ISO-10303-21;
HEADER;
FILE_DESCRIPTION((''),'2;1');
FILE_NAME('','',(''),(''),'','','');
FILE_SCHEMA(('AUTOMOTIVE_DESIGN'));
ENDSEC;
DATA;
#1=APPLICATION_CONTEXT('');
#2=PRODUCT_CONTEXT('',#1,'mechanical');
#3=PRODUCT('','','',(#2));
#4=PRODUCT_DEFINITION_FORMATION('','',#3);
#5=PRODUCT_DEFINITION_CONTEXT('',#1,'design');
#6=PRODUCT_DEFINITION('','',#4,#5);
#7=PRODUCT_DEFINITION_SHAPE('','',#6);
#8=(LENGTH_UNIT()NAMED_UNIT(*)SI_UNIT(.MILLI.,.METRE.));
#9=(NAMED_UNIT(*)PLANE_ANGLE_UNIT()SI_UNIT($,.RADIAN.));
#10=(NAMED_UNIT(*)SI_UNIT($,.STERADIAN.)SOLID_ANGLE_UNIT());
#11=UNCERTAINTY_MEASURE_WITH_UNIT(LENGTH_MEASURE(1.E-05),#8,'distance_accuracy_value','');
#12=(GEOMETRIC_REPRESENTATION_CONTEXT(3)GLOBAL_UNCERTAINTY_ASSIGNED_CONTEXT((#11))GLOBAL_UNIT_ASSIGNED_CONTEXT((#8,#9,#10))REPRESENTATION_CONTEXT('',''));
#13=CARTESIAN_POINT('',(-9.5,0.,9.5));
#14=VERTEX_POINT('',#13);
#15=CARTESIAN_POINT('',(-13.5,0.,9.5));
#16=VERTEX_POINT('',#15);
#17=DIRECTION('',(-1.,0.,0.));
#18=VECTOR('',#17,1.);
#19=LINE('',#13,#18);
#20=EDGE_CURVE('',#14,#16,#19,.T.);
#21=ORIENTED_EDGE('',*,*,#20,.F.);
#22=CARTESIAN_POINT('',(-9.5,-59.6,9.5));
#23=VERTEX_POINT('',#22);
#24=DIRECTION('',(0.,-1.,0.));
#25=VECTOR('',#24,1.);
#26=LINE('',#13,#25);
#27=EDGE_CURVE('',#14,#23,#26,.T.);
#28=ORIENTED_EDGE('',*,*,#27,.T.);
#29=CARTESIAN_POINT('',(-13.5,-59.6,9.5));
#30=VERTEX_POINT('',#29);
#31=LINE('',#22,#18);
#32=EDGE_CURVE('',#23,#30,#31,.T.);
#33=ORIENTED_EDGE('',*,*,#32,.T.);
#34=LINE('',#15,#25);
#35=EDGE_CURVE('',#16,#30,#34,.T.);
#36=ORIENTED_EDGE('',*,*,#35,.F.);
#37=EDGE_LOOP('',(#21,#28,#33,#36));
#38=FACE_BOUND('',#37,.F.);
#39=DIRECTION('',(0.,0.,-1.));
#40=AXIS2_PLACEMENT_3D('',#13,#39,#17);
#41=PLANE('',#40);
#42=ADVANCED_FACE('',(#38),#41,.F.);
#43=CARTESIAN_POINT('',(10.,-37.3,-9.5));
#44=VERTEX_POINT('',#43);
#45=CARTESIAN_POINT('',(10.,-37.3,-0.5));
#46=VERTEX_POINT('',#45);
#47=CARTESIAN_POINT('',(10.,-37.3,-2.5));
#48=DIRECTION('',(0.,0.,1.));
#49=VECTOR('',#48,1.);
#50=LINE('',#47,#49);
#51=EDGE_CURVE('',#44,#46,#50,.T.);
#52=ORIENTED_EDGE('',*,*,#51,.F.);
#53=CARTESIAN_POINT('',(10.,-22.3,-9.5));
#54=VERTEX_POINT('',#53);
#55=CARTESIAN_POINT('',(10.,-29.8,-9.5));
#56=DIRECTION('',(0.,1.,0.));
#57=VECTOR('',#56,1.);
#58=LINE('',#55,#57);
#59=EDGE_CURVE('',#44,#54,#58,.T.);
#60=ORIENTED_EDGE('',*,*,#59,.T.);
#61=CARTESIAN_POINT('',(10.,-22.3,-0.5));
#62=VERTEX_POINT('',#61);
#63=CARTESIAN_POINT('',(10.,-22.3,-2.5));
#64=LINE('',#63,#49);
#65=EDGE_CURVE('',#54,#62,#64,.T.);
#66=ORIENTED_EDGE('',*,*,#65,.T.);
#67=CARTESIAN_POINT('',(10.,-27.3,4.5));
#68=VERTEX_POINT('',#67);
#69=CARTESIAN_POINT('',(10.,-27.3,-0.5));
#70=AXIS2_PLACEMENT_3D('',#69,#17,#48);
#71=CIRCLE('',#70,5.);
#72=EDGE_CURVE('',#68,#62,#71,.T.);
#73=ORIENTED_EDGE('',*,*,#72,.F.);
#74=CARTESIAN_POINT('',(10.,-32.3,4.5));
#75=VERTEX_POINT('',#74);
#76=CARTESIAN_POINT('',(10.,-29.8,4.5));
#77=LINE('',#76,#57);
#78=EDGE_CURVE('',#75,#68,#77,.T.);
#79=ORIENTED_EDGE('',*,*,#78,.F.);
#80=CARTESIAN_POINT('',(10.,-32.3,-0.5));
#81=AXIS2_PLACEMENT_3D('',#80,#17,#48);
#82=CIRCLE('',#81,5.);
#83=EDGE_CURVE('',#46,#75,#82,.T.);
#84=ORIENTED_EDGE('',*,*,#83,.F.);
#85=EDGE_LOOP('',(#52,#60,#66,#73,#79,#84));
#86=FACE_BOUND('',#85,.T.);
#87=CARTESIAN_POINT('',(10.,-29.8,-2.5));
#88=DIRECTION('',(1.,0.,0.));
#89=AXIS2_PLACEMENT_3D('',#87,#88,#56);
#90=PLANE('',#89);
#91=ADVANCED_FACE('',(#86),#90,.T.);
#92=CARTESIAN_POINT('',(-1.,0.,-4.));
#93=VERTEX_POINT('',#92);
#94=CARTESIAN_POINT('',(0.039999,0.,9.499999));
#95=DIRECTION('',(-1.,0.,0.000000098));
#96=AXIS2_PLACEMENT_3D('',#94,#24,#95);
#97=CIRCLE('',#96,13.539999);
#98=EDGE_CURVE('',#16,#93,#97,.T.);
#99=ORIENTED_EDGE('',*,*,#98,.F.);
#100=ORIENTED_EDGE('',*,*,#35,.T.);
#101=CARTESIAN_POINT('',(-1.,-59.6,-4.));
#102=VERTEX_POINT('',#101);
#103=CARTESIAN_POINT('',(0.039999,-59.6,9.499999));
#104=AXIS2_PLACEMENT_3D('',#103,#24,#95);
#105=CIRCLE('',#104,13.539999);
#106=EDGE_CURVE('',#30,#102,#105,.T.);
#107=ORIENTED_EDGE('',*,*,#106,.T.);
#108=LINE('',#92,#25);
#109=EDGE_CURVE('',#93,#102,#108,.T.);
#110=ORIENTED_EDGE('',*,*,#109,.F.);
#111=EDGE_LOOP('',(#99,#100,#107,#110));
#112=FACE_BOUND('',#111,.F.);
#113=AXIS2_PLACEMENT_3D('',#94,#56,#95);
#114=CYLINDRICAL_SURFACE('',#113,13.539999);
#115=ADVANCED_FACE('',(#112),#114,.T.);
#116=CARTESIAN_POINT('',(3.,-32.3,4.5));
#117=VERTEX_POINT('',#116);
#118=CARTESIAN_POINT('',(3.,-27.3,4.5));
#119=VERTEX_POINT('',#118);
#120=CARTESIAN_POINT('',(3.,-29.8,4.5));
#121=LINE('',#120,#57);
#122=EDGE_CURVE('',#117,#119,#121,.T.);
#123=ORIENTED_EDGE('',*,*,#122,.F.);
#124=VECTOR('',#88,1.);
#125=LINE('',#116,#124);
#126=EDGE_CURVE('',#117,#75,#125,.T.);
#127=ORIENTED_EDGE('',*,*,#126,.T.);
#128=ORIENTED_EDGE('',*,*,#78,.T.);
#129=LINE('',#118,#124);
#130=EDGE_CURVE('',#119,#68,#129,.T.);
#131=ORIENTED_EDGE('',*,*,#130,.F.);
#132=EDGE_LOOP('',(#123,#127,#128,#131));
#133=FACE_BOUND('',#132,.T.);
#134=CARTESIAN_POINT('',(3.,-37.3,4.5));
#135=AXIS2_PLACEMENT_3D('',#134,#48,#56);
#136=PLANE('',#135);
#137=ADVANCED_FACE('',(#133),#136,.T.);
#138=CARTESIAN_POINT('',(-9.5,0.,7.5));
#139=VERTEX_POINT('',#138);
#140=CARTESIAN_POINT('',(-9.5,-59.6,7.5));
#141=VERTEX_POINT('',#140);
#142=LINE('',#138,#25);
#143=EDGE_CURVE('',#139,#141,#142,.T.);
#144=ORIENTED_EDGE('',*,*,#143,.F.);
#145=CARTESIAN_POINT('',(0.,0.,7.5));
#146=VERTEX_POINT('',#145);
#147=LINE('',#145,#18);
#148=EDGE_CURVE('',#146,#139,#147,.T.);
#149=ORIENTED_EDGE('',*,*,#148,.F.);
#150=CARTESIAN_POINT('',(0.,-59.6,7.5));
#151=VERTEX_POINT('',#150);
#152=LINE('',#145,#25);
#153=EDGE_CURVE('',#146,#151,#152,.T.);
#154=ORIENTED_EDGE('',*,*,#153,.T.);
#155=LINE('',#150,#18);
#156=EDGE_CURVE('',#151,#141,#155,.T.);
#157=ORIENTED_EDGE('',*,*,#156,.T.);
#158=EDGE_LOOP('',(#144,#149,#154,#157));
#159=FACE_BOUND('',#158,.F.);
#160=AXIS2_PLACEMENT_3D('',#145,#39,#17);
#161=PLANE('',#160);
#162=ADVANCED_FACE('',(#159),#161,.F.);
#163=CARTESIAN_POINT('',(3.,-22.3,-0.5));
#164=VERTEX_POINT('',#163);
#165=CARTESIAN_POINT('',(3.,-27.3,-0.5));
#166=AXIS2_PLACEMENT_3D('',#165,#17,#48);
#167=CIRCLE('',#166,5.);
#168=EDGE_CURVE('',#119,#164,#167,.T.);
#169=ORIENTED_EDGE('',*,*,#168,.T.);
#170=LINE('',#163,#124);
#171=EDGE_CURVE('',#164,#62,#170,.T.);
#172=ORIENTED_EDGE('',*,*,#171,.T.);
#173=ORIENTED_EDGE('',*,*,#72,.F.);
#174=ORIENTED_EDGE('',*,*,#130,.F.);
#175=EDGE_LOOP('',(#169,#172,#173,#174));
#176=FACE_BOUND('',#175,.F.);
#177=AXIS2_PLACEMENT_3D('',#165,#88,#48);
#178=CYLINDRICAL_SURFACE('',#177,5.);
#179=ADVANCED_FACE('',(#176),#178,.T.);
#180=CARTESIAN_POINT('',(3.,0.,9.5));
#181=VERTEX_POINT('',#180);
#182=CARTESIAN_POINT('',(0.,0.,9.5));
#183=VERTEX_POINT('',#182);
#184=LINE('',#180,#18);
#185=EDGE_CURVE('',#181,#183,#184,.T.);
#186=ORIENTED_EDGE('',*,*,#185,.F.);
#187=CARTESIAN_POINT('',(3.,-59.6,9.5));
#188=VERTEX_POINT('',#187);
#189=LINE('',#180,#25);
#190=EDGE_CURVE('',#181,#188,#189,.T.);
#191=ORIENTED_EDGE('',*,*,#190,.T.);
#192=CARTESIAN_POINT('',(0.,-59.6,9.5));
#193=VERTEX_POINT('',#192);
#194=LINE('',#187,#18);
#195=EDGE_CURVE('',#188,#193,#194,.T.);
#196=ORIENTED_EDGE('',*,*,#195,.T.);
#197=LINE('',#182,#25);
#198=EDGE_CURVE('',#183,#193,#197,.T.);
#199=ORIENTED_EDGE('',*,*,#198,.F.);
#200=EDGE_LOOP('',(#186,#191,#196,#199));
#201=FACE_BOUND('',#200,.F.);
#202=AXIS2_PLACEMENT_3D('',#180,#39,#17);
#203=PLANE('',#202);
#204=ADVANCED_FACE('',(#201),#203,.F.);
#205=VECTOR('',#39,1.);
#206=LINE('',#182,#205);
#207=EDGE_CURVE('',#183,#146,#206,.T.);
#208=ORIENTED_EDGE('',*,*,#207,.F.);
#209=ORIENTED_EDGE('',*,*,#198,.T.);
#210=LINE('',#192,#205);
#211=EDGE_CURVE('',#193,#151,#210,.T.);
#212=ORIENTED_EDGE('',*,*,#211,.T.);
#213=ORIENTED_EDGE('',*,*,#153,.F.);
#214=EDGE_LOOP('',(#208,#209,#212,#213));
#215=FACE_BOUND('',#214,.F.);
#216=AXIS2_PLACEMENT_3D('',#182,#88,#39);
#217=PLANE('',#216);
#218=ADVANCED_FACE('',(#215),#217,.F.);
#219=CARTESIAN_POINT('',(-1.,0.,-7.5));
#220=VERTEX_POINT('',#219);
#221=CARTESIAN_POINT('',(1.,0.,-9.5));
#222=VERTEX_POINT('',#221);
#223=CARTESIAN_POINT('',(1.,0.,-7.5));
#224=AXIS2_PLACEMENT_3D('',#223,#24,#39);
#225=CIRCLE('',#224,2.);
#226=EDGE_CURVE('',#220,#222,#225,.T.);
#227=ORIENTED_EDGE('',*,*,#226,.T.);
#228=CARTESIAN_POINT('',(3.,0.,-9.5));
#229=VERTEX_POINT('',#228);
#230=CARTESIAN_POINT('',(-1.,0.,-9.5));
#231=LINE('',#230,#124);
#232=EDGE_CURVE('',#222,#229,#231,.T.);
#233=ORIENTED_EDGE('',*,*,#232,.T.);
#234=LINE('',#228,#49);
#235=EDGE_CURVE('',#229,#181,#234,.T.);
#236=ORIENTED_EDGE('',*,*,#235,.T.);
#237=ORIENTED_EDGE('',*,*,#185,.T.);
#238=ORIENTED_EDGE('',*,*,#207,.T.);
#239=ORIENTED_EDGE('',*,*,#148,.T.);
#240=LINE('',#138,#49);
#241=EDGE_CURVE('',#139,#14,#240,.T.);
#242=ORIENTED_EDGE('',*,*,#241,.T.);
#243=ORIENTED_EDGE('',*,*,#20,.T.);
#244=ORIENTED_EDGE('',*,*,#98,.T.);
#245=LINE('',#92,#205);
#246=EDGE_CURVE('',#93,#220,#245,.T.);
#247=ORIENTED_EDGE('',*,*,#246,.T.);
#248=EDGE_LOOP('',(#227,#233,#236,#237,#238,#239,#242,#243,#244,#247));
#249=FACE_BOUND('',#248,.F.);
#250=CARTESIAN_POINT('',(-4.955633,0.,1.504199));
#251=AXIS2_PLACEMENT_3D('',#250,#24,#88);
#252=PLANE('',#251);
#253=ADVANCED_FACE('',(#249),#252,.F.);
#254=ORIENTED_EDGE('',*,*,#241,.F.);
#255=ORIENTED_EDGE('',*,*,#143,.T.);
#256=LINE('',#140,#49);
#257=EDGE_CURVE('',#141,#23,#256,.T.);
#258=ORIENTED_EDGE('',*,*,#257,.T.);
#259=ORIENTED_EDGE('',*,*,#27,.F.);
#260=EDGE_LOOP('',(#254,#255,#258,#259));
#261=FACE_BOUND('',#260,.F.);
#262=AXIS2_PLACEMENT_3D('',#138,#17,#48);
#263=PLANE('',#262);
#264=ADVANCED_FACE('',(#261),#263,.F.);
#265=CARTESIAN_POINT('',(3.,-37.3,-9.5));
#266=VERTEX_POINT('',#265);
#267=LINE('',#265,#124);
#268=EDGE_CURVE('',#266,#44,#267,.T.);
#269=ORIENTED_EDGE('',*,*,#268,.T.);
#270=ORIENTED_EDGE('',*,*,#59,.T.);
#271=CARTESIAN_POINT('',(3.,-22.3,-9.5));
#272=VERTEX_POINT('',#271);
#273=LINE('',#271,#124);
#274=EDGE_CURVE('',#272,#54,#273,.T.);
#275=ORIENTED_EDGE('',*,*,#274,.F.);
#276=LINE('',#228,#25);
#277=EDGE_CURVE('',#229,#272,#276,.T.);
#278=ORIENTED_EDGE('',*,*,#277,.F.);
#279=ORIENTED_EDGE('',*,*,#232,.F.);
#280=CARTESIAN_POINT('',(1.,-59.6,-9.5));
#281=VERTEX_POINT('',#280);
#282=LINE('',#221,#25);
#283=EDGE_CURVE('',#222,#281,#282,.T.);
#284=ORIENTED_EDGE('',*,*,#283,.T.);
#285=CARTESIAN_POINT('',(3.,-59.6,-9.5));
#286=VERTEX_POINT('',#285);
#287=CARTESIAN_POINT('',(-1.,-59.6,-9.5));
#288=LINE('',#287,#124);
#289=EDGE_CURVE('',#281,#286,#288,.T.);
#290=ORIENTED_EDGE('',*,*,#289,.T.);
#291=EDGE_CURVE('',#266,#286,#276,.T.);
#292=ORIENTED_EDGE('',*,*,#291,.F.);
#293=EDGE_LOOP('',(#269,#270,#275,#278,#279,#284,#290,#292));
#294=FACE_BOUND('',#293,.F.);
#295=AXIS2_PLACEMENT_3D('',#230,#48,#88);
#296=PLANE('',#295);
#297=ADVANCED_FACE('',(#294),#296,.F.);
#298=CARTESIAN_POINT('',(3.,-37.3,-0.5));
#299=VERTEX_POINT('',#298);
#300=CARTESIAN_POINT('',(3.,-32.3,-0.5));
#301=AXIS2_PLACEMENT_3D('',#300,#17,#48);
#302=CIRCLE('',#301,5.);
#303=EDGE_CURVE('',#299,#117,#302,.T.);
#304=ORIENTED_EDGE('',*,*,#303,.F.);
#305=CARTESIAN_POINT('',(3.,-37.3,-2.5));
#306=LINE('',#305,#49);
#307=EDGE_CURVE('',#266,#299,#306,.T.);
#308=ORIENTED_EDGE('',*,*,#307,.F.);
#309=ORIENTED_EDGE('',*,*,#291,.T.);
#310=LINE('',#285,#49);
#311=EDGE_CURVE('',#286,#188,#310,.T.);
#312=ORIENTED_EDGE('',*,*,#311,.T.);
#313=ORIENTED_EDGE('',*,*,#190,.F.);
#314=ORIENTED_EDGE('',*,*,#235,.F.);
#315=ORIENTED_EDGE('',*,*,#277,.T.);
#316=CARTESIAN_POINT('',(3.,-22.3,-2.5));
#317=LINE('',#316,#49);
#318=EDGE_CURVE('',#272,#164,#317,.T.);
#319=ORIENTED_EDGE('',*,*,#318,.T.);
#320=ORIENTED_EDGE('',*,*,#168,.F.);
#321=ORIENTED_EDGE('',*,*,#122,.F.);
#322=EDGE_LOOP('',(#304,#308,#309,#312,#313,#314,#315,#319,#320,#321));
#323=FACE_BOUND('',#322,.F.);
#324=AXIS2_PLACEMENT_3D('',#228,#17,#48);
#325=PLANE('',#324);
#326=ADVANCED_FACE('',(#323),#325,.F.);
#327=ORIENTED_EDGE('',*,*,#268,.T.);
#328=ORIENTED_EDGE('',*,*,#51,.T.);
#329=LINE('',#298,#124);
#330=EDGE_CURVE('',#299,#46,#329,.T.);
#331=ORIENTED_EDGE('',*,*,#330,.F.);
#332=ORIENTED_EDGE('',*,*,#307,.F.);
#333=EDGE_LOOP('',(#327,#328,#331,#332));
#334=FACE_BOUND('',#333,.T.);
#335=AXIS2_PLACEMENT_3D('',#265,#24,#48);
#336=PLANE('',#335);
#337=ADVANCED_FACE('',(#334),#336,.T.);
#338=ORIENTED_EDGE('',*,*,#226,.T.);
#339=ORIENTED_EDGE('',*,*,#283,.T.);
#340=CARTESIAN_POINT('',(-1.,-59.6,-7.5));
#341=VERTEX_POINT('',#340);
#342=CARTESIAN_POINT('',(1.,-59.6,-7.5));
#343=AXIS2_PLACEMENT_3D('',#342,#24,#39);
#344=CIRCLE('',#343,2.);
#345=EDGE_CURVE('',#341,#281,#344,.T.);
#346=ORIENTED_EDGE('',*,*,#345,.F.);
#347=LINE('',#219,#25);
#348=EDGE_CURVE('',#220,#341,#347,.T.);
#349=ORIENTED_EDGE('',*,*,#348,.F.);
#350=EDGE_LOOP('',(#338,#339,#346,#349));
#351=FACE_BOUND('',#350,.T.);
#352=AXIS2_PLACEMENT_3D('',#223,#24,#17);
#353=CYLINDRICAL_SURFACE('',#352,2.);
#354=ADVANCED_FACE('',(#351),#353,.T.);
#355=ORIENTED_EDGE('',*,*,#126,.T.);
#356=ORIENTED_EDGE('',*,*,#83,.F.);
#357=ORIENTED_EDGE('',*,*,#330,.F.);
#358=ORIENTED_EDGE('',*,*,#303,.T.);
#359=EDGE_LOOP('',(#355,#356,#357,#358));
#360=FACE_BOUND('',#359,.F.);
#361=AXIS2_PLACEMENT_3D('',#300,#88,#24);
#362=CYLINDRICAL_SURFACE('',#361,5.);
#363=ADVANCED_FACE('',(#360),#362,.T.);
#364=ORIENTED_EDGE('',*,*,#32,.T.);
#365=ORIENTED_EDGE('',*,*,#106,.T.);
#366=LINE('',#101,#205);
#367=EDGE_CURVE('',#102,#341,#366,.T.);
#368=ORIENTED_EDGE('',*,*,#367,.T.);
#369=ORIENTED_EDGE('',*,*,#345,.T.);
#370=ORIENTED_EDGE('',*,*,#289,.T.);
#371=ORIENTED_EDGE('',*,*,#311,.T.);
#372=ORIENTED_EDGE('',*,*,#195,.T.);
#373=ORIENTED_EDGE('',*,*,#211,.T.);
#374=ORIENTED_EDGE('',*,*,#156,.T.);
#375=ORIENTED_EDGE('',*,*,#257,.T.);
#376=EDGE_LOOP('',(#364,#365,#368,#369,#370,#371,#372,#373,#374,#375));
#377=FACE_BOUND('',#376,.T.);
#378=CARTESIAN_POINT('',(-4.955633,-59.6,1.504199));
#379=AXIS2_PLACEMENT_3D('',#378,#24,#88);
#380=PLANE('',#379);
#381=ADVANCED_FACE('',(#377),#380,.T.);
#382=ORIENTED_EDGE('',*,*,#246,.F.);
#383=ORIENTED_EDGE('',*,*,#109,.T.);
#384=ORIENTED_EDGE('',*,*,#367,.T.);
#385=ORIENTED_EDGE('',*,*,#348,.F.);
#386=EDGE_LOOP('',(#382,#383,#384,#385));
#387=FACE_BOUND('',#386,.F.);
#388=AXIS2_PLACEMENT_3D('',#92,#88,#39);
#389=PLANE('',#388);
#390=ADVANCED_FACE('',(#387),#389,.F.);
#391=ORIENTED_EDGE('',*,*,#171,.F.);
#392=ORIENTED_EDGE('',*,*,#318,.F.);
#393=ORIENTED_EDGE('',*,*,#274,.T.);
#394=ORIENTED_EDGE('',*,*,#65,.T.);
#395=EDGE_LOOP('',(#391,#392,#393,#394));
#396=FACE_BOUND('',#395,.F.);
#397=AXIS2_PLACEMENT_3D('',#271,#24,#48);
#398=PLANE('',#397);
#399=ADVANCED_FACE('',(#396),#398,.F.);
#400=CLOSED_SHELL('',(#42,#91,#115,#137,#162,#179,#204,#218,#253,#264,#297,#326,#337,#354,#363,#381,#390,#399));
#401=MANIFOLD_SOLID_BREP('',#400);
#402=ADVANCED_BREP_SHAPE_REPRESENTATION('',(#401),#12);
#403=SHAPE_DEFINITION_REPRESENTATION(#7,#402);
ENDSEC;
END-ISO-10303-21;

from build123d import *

# Parameters (mm, degrees)
F1_DEPTH = 59.6
F2_R     = 2
F3_W     = 15
F3_H     = 14
F4_DEPTH = 7
F5_R     = 5


with BuildPart() as f1:
    # F0 (on Front) → F1 (new body)
    with BuildSketch(Plane.XZ):
        with BuildLine():
            Line((0, -9.5), (0, 7.5))
            Line((0, 7.5), (-9.5, 7.5))
            Line((-9.5, 7.5), (-9.5, 9.5))
            Line((-9.5, 9.5), (-13.5, 9.5))
            ThreePointArc((-13.5, 9.5), (-9.89512, 0.300815), (-1, -4))
            Line((-1, -4), (-1, -9.5))
            Line((-1, -9.5), (0, -9.5))
        make_face()
        Polygon((3, 9.5), (0, 9.5), (0, 7.5), (0, -9.5), (3, -9.5), align=None)
    extrude(amount=F1_DEPTH)

    # F2
    f2_edges = [f1.edges().sort_by_distance(p)[0] for p in [
        (-1, -29.8, -9.5),
    ]]
    fillet(f2_edges, radius=F2_R)

    # F3 (on face) → F4 (join)
    with BuildSketch(Plane.YZ.offset(3)):
        with Locations((-29.8, -2.5)):
            Rectangle(F3_W, F3_H)
    extrude(amount=F4_DEPTH)

    # F5
    f5_edges = [f1.edges().sort_by_distance(p)[0] for p in [
        (6.5, -37.3, 4.5),
        (6.5, -22.3, 4.5),
    ]]
    fillet(f5_edges, radius=F5_R)


solid = f1.part
